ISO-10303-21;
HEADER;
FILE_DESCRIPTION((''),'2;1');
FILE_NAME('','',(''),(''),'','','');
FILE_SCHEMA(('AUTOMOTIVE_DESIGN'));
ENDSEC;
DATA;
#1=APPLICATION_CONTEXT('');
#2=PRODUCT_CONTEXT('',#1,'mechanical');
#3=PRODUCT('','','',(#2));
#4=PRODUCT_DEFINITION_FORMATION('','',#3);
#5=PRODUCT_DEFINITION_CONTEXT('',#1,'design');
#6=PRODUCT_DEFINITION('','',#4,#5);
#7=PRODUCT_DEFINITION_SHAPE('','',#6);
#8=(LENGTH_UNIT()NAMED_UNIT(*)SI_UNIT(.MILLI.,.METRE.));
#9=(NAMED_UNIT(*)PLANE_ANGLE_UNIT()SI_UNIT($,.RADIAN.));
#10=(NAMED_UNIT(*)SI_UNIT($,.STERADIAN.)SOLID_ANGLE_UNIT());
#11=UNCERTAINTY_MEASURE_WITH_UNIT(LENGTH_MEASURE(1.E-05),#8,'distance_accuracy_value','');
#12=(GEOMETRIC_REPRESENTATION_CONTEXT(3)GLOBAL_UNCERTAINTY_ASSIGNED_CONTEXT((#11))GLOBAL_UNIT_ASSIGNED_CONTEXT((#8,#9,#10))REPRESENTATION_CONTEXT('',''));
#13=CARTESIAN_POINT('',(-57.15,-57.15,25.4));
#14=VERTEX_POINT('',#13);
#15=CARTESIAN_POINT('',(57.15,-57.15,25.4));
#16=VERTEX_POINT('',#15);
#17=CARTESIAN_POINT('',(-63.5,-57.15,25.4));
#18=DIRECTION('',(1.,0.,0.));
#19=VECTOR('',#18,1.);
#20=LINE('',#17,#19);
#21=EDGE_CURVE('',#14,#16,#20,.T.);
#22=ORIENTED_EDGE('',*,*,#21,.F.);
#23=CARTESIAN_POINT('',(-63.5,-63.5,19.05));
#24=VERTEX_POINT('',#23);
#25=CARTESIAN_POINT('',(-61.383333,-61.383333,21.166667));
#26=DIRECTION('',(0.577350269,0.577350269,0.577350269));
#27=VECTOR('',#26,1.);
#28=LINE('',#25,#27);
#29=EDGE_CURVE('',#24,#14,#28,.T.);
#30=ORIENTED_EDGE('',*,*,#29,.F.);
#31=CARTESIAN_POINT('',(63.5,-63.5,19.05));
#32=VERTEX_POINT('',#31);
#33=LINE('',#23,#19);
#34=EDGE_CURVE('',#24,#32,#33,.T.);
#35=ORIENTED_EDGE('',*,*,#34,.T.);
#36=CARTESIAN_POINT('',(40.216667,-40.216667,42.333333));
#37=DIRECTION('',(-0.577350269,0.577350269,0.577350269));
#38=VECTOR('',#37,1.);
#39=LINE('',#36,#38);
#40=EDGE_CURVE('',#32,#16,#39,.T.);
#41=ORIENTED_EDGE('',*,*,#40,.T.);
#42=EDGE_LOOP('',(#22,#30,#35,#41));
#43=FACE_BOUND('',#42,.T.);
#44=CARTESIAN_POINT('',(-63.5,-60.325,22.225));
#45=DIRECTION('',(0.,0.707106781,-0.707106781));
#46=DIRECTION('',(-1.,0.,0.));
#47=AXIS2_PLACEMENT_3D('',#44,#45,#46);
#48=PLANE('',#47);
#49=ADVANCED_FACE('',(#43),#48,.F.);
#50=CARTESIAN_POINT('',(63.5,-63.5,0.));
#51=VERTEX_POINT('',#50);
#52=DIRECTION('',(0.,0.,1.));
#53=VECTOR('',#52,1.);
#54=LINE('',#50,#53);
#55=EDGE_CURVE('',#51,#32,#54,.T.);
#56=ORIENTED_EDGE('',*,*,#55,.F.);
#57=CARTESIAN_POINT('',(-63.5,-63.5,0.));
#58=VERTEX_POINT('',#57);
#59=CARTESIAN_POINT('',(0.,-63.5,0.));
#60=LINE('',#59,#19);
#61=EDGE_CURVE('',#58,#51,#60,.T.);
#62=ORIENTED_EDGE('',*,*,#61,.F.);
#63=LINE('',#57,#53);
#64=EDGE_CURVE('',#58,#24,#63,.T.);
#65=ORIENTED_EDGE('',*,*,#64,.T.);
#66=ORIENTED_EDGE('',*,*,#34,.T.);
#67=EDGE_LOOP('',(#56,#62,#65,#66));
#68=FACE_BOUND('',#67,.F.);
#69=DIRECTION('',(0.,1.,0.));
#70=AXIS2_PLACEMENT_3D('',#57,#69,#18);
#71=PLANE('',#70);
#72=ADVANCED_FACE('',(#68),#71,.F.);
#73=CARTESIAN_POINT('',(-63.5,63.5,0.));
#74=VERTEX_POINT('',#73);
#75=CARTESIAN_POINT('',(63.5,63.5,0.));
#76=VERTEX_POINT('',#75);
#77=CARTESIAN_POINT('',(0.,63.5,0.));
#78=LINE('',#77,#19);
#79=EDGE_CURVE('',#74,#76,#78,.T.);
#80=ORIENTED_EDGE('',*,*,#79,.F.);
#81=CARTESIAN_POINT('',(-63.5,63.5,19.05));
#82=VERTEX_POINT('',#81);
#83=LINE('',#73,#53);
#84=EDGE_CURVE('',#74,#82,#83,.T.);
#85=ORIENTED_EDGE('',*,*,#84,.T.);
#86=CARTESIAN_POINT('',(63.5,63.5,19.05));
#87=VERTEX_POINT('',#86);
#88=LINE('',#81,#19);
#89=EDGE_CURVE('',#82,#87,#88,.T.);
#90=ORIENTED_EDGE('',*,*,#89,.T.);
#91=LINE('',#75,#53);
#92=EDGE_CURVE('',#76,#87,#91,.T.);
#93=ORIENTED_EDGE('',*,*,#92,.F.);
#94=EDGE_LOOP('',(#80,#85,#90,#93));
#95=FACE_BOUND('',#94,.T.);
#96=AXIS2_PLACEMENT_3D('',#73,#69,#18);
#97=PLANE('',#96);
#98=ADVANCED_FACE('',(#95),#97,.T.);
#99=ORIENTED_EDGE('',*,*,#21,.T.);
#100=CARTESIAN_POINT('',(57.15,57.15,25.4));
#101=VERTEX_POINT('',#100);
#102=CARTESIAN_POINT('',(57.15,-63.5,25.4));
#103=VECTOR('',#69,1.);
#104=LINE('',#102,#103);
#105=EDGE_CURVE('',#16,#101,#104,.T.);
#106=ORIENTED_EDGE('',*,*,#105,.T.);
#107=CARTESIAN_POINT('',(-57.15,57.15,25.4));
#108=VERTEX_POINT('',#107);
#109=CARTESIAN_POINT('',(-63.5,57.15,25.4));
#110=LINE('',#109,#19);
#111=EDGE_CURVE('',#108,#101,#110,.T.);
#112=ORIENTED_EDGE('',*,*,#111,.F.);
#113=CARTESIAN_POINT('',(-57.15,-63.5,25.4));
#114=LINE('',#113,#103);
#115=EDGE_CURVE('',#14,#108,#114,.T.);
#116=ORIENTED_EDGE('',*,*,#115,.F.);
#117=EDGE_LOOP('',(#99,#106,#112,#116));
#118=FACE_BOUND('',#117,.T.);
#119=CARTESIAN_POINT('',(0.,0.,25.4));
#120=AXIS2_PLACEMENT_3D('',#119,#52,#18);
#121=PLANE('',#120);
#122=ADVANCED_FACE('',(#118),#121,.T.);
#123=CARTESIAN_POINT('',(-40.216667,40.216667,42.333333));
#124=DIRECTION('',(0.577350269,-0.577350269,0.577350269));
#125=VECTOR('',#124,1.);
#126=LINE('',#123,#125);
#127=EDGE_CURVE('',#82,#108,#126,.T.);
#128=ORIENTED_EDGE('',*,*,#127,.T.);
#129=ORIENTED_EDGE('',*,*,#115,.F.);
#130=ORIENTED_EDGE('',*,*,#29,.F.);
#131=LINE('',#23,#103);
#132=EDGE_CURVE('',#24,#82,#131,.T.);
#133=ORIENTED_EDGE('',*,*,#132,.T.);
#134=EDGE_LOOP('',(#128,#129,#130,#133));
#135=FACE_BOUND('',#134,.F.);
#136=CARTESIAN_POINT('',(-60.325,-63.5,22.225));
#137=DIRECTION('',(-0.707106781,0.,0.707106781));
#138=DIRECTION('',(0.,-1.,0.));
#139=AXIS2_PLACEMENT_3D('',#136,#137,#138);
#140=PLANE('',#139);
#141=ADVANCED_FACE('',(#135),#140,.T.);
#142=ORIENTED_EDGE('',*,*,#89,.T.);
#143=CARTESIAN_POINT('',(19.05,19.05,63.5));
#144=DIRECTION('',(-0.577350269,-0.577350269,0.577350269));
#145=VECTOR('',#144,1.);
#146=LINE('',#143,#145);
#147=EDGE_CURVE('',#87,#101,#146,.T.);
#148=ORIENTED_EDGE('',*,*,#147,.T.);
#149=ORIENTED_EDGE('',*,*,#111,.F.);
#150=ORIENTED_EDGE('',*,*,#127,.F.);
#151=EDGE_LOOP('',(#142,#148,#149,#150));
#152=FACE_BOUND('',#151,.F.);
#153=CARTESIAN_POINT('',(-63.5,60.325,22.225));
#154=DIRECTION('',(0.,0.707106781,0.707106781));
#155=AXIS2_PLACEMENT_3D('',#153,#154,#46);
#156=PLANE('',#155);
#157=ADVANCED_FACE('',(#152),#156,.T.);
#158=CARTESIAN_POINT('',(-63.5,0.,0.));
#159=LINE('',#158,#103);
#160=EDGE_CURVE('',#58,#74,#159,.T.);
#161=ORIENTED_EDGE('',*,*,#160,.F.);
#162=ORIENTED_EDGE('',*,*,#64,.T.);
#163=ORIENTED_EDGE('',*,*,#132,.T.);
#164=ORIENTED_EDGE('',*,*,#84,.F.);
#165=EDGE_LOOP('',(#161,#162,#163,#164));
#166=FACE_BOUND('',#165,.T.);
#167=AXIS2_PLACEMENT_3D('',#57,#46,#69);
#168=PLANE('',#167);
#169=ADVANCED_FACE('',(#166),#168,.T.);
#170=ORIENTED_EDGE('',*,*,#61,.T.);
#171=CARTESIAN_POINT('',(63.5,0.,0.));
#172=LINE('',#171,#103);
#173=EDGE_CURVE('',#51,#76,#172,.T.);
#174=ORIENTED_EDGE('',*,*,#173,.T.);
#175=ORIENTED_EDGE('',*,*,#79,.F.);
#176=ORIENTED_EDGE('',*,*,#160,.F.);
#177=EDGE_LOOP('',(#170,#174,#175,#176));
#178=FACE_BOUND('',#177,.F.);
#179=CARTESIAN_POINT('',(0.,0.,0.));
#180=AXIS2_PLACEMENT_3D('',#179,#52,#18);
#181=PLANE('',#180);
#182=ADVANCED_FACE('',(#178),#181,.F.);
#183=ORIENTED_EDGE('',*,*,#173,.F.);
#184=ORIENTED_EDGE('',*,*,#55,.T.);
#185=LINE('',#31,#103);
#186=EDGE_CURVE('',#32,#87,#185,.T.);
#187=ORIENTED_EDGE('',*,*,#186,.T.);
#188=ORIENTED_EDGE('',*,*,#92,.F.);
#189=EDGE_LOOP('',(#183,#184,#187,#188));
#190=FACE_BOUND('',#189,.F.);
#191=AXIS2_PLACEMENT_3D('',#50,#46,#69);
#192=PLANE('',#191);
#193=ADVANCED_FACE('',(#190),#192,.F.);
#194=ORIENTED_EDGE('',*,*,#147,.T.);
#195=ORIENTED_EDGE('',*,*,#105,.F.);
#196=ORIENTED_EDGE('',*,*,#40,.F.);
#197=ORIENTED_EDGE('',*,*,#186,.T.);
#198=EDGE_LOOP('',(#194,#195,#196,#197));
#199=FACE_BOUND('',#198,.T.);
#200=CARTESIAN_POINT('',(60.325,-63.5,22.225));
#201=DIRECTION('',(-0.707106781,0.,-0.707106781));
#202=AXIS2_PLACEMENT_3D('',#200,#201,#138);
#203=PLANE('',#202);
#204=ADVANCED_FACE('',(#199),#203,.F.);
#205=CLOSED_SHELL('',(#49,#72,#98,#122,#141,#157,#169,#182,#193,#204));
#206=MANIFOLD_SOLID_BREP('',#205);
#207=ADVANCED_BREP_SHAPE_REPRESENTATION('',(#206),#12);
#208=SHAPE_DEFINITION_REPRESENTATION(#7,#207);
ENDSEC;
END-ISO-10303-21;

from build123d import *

# Parameters (mm, degrees)
F0_W     = 127
F0_H     = 127
F1_DEPTH = 25.4
F2_SIZE  = 6.35


with BuildPart() as f1:
    # F0 (on Top) → F1 (new body)
    with BuildSketch(Plane.XY):
        Rectangle(F0_W, F0_H)
    extrude(amount=F1_DEPTH)

    # F2
    f2_edges = [f1.edges().sort_by_distance(p)[0] for p in [
        (0, -63.5, 25.4),
        (63.5, 0, 25.4),
        (0, 63.5, 25.4),
        (-63.5, 0, 25.4),
    ]]
    chamfer(f2_edges, length=F2_SIZE)


solid = f1.part
